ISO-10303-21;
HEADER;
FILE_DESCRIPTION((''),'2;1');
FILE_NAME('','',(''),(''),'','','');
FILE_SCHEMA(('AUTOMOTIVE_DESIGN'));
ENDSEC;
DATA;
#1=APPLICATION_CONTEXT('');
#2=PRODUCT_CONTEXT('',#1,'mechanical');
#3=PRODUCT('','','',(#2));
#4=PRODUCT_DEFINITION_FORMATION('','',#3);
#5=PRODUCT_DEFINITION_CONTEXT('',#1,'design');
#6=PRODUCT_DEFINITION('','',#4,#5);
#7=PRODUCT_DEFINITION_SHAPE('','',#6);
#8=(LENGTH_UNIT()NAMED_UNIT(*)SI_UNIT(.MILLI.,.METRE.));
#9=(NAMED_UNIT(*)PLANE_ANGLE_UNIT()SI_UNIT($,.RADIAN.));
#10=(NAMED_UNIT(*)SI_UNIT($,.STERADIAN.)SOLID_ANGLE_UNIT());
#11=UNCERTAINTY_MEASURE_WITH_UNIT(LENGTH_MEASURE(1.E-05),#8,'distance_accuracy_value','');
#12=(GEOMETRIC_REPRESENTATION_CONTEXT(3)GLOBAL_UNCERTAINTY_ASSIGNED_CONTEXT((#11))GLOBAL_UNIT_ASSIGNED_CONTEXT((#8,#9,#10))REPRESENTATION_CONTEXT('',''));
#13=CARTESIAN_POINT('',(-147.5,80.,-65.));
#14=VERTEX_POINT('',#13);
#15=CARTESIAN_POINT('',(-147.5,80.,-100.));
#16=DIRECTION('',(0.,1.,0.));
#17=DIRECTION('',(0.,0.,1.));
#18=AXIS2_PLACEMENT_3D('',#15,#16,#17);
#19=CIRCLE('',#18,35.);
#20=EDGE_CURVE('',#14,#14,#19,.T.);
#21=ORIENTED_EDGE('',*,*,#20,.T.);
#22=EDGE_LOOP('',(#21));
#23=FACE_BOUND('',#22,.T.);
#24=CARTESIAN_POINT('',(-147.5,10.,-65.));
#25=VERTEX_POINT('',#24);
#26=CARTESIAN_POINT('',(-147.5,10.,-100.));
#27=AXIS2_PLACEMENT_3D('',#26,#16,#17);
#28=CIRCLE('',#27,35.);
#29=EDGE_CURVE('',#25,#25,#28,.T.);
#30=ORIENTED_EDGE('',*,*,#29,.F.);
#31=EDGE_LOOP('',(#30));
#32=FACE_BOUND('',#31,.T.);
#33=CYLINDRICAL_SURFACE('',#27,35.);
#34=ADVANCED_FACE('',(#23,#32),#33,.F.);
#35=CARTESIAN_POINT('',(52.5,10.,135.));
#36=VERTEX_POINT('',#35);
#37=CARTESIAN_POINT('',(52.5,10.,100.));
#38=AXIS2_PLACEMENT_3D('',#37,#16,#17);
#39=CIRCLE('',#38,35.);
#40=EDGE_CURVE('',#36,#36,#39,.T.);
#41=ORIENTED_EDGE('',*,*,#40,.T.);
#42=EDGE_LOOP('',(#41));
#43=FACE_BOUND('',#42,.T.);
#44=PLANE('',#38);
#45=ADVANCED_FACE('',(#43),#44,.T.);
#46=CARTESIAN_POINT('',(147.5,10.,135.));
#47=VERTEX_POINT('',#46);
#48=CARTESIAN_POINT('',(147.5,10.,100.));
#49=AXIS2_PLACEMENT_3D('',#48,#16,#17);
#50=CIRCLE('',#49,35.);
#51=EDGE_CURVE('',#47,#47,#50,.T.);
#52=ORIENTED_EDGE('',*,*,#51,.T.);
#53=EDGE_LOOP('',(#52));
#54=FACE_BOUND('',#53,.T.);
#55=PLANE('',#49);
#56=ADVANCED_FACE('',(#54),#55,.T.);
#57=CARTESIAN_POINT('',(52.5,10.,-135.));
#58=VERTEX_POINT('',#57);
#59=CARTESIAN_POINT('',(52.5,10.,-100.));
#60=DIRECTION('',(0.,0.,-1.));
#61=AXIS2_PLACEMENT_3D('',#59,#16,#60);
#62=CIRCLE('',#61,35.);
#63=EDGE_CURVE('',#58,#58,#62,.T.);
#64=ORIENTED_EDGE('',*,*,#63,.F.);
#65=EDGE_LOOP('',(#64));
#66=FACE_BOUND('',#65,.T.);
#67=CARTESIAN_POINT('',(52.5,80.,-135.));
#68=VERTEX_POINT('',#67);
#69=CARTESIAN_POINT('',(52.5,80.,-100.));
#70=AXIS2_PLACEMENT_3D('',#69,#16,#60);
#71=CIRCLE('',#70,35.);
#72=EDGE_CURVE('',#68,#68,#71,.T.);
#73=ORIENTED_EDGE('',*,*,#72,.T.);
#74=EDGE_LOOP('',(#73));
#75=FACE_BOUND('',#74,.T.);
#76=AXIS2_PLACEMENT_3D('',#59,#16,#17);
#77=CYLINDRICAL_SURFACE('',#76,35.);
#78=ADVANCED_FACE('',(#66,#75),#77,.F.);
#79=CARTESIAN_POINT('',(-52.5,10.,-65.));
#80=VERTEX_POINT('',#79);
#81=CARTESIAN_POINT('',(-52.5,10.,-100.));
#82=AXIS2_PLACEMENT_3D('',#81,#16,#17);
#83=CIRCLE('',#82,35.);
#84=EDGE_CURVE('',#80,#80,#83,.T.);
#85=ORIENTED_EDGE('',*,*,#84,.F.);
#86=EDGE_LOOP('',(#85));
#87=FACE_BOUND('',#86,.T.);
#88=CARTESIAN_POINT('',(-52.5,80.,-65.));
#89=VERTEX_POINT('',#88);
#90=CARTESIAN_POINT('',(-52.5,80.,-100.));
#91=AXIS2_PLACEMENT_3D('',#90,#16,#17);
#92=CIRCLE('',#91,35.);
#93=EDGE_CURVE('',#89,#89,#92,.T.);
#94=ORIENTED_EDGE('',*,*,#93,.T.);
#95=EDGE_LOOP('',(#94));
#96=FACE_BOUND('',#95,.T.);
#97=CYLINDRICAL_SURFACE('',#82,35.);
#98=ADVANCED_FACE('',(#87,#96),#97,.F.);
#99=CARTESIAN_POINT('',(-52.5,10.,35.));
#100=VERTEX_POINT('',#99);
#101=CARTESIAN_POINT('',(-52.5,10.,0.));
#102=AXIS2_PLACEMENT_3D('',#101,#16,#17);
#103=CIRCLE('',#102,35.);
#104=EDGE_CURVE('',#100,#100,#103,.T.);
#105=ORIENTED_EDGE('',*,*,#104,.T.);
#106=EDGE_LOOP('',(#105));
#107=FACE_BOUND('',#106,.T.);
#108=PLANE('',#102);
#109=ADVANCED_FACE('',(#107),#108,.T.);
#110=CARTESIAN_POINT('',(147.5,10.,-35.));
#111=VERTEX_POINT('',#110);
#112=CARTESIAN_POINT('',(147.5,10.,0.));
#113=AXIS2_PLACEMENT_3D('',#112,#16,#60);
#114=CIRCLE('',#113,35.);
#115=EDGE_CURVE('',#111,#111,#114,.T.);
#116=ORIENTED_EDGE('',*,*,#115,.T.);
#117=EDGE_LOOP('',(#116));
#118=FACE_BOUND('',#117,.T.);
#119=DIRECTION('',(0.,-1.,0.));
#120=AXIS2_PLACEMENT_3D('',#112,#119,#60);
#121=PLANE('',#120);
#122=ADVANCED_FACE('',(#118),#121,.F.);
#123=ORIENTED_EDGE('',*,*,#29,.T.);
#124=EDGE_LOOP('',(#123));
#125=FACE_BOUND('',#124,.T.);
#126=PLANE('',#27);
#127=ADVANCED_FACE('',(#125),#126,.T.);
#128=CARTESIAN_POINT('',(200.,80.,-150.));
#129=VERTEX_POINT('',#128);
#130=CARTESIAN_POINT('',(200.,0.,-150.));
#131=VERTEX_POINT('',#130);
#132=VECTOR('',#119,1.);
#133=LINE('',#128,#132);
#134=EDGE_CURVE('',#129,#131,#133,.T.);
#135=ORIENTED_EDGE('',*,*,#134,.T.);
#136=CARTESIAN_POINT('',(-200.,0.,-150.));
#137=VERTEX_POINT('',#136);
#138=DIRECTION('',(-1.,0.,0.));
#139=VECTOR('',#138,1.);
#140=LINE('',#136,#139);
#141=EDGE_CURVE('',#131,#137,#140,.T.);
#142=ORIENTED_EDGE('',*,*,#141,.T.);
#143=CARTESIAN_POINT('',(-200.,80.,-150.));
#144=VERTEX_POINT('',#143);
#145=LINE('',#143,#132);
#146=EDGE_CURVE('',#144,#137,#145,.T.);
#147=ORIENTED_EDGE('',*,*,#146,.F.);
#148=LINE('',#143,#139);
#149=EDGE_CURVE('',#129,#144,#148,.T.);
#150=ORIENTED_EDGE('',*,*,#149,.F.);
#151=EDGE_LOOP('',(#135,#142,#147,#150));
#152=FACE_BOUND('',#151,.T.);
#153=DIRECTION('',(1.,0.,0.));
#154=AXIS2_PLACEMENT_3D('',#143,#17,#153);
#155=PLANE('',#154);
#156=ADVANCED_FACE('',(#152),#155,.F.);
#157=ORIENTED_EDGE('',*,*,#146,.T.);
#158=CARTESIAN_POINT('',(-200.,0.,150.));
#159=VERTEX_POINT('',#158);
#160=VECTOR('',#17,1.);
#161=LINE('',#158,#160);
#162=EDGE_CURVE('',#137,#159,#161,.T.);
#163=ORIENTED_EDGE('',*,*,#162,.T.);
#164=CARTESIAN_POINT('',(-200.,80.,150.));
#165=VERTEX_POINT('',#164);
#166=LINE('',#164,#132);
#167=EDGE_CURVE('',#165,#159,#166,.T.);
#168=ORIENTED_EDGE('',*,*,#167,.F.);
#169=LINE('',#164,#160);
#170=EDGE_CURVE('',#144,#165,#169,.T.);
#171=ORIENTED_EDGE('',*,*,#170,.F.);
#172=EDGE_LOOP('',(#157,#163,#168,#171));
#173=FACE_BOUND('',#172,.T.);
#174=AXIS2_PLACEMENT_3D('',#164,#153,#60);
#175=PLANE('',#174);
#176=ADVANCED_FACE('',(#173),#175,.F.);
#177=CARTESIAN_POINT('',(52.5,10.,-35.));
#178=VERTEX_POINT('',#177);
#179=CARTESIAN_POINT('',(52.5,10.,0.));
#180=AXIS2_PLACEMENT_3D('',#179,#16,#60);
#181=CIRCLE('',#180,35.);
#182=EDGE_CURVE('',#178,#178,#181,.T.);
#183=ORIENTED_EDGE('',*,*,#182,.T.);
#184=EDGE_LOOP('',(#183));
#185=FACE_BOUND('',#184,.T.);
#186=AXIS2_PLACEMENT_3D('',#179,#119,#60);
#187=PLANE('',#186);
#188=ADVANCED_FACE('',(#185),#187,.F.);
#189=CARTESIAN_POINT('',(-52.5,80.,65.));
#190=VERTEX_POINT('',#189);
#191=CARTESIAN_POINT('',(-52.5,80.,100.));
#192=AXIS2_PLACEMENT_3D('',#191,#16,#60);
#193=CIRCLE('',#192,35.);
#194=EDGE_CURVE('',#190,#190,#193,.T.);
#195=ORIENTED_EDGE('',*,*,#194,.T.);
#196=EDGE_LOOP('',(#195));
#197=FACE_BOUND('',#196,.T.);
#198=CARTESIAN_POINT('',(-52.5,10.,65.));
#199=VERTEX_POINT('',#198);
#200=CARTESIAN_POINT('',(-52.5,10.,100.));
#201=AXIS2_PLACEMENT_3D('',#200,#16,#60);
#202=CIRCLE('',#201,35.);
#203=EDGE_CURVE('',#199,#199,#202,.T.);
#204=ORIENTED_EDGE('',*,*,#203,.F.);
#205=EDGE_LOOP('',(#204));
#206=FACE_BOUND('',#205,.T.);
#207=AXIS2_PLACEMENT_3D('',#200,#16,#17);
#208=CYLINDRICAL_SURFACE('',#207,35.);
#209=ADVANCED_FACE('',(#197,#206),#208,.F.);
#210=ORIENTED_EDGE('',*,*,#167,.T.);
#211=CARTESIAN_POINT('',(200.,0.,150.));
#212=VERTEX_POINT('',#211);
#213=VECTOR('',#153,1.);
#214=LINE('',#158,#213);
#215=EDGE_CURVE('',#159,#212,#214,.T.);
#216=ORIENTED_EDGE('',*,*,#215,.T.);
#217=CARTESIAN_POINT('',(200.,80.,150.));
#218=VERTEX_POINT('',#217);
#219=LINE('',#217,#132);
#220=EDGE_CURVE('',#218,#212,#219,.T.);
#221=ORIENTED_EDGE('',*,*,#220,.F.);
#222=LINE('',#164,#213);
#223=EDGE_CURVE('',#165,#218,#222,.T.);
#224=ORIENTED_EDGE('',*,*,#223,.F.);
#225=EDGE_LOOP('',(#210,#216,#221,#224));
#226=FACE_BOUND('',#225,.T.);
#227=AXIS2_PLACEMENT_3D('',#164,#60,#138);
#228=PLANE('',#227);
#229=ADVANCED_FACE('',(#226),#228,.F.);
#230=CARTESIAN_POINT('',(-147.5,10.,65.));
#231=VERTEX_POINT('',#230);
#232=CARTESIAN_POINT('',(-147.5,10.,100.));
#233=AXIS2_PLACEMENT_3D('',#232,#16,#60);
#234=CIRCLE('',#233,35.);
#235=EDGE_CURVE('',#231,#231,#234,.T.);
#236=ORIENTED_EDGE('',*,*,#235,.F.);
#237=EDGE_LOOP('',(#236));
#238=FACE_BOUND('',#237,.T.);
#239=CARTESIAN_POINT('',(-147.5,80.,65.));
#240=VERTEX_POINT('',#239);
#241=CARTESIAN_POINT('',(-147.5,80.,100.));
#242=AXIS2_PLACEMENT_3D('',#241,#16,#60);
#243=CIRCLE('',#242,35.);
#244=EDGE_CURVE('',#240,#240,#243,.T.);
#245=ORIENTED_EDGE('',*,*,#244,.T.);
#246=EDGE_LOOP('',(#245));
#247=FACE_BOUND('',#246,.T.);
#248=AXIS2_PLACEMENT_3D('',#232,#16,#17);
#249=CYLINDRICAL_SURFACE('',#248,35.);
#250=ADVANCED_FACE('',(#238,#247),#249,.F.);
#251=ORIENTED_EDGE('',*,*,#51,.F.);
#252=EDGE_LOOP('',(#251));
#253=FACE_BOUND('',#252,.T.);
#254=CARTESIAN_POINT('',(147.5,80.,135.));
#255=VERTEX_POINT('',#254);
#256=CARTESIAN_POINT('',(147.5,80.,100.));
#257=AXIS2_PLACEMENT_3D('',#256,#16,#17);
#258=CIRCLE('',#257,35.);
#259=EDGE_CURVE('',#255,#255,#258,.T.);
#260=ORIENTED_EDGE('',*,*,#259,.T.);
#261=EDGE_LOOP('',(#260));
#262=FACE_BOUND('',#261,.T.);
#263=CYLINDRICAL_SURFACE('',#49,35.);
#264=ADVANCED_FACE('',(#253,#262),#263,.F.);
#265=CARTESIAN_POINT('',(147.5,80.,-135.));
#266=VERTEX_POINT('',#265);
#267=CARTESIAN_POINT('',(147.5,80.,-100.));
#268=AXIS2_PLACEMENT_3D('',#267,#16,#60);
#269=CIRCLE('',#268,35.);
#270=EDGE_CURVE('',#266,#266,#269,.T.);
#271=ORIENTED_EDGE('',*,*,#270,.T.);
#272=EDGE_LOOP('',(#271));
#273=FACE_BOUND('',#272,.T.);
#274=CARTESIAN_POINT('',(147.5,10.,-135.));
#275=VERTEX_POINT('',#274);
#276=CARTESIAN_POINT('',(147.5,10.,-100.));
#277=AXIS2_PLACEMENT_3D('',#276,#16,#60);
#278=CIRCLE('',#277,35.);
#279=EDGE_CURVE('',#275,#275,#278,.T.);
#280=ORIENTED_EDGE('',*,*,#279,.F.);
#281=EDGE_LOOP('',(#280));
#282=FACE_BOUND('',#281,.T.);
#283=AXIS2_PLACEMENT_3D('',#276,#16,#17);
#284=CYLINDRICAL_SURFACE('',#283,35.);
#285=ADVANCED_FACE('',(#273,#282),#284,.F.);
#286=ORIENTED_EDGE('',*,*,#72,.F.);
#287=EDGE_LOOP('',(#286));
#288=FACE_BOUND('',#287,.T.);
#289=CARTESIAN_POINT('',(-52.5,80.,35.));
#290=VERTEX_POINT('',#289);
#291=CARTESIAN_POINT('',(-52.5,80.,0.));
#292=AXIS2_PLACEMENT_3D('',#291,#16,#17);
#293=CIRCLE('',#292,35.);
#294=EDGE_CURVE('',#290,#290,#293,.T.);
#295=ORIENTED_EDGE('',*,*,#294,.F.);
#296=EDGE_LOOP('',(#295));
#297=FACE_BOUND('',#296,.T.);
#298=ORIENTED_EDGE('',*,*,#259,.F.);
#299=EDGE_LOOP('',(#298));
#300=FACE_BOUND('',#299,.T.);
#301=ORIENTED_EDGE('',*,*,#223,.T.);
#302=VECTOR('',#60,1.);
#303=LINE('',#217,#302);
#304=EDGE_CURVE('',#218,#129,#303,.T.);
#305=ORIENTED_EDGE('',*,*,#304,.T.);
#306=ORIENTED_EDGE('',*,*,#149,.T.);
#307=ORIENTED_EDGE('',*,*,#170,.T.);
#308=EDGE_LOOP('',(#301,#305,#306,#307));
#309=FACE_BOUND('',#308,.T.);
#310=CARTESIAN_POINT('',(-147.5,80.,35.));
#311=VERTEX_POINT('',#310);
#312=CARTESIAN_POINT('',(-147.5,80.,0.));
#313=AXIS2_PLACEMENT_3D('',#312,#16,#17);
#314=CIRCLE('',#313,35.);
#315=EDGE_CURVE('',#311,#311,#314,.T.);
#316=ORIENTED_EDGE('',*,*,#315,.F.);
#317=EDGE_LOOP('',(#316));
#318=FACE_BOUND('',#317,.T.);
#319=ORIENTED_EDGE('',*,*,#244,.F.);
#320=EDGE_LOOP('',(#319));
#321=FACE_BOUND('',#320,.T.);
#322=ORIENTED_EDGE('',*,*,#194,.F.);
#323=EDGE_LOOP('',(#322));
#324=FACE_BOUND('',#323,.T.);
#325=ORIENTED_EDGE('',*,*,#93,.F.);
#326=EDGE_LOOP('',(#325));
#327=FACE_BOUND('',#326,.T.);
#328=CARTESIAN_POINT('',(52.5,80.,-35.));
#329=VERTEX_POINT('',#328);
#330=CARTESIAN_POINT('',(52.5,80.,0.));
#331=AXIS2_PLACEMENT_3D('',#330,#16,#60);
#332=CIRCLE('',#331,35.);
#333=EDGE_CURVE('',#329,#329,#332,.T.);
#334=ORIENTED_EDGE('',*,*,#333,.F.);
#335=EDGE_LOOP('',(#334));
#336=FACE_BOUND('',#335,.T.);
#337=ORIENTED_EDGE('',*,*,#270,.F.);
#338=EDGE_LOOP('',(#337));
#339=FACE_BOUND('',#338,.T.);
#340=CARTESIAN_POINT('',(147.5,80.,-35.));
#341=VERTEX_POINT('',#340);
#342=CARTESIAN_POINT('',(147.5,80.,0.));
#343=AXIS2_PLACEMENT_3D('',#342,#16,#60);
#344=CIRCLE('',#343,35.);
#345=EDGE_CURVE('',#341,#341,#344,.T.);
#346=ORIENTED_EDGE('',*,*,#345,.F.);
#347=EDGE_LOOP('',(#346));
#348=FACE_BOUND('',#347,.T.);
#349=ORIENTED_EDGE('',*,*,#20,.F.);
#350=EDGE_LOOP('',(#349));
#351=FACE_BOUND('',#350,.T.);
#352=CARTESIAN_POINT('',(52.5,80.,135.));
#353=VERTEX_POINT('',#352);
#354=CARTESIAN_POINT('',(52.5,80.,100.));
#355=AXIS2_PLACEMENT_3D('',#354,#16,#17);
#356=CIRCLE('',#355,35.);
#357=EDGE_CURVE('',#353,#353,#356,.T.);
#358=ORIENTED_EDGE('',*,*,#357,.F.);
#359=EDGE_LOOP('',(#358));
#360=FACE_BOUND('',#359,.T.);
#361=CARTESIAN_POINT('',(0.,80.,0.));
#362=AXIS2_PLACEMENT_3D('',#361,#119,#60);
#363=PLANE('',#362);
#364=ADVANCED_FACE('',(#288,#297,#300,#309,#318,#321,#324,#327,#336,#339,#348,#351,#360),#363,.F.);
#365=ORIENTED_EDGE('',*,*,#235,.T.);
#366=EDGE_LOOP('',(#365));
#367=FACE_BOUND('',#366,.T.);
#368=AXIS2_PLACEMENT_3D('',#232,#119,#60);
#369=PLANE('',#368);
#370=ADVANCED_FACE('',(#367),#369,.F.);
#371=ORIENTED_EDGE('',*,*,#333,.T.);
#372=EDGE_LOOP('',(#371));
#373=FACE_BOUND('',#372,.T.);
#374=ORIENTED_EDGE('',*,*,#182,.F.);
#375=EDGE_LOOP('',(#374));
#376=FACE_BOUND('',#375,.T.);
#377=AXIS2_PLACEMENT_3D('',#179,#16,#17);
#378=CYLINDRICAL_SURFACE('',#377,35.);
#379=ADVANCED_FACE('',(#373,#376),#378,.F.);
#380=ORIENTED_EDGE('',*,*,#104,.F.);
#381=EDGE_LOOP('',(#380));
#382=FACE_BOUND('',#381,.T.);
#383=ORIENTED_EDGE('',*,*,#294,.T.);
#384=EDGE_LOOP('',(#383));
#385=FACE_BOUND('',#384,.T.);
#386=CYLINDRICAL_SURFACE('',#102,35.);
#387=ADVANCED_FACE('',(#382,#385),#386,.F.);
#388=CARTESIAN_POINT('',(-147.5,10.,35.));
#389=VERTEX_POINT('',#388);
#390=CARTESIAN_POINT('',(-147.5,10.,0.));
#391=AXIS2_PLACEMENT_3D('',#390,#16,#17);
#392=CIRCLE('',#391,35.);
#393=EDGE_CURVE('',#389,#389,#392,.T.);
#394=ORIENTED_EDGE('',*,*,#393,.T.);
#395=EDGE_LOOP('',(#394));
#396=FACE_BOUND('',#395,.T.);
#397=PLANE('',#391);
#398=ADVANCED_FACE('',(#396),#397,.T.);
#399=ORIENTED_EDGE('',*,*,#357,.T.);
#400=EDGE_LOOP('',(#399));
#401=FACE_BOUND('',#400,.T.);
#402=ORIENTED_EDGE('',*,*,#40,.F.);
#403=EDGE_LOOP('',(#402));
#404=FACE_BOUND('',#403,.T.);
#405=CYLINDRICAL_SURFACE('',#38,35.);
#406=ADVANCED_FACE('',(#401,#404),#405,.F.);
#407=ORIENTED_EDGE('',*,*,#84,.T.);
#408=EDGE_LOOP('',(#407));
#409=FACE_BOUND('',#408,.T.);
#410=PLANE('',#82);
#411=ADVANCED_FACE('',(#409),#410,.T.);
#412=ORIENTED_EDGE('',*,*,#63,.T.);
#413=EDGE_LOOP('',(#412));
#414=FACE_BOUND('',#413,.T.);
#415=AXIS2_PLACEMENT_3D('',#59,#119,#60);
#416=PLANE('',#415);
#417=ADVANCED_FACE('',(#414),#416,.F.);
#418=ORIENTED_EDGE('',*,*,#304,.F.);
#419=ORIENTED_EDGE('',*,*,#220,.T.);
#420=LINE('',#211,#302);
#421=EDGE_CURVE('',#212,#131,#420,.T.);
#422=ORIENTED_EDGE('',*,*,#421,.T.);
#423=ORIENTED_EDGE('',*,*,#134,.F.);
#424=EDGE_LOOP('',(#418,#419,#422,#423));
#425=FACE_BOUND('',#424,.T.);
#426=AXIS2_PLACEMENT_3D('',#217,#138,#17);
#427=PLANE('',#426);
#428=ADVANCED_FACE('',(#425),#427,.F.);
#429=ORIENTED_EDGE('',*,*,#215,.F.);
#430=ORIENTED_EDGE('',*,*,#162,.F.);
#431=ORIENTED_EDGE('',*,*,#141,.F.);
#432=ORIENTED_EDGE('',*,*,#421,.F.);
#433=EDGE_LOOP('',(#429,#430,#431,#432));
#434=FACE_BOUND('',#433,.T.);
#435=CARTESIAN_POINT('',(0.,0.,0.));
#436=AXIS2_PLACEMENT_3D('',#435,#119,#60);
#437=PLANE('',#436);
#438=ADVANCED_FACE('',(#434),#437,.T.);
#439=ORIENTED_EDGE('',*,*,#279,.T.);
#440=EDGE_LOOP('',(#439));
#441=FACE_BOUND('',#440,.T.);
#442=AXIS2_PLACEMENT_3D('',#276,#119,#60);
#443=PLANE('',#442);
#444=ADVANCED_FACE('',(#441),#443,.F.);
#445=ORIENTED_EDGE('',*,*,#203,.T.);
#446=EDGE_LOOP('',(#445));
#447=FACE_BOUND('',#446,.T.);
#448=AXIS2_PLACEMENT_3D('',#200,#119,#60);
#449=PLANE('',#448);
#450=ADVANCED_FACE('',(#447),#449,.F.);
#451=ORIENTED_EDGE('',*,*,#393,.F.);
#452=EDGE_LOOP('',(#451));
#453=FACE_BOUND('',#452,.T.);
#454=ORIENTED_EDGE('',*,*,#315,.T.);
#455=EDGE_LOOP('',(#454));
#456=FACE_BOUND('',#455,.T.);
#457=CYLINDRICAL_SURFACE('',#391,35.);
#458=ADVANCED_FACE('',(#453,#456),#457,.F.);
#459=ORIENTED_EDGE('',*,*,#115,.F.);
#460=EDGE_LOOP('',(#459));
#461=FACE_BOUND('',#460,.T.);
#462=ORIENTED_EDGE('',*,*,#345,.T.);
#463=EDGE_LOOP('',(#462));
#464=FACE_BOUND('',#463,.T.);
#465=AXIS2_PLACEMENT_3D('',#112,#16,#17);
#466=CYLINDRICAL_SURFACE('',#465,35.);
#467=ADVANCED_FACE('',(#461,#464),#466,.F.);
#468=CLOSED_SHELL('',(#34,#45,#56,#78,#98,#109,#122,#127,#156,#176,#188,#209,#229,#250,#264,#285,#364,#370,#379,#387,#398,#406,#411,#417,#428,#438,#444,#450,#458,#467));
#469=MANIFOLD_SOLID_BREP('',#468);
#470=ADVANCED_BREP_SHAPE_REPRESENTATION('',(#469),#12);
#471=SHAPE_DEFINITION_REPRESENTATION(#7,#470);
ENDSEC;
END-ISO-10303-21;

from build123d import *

# Parameters (mm, degrees)
CROQUIS1_W              = 400
CROQUIS1_H              = 300
SALIENTE_EXTRUIR1_DEPTH = 80
CROQUIS3_R              = 35
CORTAR_EXTRUIR1_DEPTH   = 70


with BuildPart() as part:
    # Croquis1 → Saliente-Extruir1 (new body)
    with BuildSketch(Plane(origin=(0, 0, 0), x_dir=(1, 0, 0), z_dir=(0, 1, 0))):
        Rectangle(CROQUIS1_W, CROQUIS1_H)
    extrude(amount=SALIENTE_EXTRUIR1_DEPTH)

    # Croquis3 → Cortar-Extruir1 (cut)
    with BuildSketch(Plane(origin=(0, 80, 0), x_dir=(1, 0, 0), z_dir=(0, 1, 0))):
        with Locations(Location((-147.5, 100, 0), (0, 0, 270))):
            Circle(CROQUIS3_R)
        with Locations(Location((-52.5, 100, 0), (0, 0, 270))):
            Circle(CROQUIS3_R)
        with Locations(Location((-147.5, 0, 0), (0, 0, 270))):
            Circle(CROQUIS3_R)
        with Locations(Location((-52.5, 0, 0), (0, 0, 270))):
            Circle(CROQUIS3_R)
        with Locations(Location((52.5, 0, 0), (0, 0, 90))):
            Circle(CROQUIS3_R)
        with Locations(Location((52.5, 100, 0), (0, 0, 90))):
            Circle(CROQUIS3_R)
        with Locations(Location((147.5, 0, 0), (0, 0, 90))):
            Circle(CROQUIS3_R)
        with Locations(Location((147.5, 100, 0), (0, 0, 90))):
            Circle(CROQUIS3_R)
        with Locations(Location((-52.5, -100, 0), (0, 0, 90))):
            Circle(CROQUIS3_R)
        with Locations(Location((-147.5, -100, 0), (0, 0, 90))):
            Circle(CROQUIS3_R)
        with Locations(Location((147.5, -100, 0), (0, 0, 270))):
            Circle(CROQUIS3_R)
        with Locations(Location((52.5, -100, 0), (0, 0, 270))):
            Circle(CROQUIS3_R)
    extrude(amount=-CORTAR_EXTRUIR1_DEPTH, mode=Mode.SUBTRACT)


solid = part.part
